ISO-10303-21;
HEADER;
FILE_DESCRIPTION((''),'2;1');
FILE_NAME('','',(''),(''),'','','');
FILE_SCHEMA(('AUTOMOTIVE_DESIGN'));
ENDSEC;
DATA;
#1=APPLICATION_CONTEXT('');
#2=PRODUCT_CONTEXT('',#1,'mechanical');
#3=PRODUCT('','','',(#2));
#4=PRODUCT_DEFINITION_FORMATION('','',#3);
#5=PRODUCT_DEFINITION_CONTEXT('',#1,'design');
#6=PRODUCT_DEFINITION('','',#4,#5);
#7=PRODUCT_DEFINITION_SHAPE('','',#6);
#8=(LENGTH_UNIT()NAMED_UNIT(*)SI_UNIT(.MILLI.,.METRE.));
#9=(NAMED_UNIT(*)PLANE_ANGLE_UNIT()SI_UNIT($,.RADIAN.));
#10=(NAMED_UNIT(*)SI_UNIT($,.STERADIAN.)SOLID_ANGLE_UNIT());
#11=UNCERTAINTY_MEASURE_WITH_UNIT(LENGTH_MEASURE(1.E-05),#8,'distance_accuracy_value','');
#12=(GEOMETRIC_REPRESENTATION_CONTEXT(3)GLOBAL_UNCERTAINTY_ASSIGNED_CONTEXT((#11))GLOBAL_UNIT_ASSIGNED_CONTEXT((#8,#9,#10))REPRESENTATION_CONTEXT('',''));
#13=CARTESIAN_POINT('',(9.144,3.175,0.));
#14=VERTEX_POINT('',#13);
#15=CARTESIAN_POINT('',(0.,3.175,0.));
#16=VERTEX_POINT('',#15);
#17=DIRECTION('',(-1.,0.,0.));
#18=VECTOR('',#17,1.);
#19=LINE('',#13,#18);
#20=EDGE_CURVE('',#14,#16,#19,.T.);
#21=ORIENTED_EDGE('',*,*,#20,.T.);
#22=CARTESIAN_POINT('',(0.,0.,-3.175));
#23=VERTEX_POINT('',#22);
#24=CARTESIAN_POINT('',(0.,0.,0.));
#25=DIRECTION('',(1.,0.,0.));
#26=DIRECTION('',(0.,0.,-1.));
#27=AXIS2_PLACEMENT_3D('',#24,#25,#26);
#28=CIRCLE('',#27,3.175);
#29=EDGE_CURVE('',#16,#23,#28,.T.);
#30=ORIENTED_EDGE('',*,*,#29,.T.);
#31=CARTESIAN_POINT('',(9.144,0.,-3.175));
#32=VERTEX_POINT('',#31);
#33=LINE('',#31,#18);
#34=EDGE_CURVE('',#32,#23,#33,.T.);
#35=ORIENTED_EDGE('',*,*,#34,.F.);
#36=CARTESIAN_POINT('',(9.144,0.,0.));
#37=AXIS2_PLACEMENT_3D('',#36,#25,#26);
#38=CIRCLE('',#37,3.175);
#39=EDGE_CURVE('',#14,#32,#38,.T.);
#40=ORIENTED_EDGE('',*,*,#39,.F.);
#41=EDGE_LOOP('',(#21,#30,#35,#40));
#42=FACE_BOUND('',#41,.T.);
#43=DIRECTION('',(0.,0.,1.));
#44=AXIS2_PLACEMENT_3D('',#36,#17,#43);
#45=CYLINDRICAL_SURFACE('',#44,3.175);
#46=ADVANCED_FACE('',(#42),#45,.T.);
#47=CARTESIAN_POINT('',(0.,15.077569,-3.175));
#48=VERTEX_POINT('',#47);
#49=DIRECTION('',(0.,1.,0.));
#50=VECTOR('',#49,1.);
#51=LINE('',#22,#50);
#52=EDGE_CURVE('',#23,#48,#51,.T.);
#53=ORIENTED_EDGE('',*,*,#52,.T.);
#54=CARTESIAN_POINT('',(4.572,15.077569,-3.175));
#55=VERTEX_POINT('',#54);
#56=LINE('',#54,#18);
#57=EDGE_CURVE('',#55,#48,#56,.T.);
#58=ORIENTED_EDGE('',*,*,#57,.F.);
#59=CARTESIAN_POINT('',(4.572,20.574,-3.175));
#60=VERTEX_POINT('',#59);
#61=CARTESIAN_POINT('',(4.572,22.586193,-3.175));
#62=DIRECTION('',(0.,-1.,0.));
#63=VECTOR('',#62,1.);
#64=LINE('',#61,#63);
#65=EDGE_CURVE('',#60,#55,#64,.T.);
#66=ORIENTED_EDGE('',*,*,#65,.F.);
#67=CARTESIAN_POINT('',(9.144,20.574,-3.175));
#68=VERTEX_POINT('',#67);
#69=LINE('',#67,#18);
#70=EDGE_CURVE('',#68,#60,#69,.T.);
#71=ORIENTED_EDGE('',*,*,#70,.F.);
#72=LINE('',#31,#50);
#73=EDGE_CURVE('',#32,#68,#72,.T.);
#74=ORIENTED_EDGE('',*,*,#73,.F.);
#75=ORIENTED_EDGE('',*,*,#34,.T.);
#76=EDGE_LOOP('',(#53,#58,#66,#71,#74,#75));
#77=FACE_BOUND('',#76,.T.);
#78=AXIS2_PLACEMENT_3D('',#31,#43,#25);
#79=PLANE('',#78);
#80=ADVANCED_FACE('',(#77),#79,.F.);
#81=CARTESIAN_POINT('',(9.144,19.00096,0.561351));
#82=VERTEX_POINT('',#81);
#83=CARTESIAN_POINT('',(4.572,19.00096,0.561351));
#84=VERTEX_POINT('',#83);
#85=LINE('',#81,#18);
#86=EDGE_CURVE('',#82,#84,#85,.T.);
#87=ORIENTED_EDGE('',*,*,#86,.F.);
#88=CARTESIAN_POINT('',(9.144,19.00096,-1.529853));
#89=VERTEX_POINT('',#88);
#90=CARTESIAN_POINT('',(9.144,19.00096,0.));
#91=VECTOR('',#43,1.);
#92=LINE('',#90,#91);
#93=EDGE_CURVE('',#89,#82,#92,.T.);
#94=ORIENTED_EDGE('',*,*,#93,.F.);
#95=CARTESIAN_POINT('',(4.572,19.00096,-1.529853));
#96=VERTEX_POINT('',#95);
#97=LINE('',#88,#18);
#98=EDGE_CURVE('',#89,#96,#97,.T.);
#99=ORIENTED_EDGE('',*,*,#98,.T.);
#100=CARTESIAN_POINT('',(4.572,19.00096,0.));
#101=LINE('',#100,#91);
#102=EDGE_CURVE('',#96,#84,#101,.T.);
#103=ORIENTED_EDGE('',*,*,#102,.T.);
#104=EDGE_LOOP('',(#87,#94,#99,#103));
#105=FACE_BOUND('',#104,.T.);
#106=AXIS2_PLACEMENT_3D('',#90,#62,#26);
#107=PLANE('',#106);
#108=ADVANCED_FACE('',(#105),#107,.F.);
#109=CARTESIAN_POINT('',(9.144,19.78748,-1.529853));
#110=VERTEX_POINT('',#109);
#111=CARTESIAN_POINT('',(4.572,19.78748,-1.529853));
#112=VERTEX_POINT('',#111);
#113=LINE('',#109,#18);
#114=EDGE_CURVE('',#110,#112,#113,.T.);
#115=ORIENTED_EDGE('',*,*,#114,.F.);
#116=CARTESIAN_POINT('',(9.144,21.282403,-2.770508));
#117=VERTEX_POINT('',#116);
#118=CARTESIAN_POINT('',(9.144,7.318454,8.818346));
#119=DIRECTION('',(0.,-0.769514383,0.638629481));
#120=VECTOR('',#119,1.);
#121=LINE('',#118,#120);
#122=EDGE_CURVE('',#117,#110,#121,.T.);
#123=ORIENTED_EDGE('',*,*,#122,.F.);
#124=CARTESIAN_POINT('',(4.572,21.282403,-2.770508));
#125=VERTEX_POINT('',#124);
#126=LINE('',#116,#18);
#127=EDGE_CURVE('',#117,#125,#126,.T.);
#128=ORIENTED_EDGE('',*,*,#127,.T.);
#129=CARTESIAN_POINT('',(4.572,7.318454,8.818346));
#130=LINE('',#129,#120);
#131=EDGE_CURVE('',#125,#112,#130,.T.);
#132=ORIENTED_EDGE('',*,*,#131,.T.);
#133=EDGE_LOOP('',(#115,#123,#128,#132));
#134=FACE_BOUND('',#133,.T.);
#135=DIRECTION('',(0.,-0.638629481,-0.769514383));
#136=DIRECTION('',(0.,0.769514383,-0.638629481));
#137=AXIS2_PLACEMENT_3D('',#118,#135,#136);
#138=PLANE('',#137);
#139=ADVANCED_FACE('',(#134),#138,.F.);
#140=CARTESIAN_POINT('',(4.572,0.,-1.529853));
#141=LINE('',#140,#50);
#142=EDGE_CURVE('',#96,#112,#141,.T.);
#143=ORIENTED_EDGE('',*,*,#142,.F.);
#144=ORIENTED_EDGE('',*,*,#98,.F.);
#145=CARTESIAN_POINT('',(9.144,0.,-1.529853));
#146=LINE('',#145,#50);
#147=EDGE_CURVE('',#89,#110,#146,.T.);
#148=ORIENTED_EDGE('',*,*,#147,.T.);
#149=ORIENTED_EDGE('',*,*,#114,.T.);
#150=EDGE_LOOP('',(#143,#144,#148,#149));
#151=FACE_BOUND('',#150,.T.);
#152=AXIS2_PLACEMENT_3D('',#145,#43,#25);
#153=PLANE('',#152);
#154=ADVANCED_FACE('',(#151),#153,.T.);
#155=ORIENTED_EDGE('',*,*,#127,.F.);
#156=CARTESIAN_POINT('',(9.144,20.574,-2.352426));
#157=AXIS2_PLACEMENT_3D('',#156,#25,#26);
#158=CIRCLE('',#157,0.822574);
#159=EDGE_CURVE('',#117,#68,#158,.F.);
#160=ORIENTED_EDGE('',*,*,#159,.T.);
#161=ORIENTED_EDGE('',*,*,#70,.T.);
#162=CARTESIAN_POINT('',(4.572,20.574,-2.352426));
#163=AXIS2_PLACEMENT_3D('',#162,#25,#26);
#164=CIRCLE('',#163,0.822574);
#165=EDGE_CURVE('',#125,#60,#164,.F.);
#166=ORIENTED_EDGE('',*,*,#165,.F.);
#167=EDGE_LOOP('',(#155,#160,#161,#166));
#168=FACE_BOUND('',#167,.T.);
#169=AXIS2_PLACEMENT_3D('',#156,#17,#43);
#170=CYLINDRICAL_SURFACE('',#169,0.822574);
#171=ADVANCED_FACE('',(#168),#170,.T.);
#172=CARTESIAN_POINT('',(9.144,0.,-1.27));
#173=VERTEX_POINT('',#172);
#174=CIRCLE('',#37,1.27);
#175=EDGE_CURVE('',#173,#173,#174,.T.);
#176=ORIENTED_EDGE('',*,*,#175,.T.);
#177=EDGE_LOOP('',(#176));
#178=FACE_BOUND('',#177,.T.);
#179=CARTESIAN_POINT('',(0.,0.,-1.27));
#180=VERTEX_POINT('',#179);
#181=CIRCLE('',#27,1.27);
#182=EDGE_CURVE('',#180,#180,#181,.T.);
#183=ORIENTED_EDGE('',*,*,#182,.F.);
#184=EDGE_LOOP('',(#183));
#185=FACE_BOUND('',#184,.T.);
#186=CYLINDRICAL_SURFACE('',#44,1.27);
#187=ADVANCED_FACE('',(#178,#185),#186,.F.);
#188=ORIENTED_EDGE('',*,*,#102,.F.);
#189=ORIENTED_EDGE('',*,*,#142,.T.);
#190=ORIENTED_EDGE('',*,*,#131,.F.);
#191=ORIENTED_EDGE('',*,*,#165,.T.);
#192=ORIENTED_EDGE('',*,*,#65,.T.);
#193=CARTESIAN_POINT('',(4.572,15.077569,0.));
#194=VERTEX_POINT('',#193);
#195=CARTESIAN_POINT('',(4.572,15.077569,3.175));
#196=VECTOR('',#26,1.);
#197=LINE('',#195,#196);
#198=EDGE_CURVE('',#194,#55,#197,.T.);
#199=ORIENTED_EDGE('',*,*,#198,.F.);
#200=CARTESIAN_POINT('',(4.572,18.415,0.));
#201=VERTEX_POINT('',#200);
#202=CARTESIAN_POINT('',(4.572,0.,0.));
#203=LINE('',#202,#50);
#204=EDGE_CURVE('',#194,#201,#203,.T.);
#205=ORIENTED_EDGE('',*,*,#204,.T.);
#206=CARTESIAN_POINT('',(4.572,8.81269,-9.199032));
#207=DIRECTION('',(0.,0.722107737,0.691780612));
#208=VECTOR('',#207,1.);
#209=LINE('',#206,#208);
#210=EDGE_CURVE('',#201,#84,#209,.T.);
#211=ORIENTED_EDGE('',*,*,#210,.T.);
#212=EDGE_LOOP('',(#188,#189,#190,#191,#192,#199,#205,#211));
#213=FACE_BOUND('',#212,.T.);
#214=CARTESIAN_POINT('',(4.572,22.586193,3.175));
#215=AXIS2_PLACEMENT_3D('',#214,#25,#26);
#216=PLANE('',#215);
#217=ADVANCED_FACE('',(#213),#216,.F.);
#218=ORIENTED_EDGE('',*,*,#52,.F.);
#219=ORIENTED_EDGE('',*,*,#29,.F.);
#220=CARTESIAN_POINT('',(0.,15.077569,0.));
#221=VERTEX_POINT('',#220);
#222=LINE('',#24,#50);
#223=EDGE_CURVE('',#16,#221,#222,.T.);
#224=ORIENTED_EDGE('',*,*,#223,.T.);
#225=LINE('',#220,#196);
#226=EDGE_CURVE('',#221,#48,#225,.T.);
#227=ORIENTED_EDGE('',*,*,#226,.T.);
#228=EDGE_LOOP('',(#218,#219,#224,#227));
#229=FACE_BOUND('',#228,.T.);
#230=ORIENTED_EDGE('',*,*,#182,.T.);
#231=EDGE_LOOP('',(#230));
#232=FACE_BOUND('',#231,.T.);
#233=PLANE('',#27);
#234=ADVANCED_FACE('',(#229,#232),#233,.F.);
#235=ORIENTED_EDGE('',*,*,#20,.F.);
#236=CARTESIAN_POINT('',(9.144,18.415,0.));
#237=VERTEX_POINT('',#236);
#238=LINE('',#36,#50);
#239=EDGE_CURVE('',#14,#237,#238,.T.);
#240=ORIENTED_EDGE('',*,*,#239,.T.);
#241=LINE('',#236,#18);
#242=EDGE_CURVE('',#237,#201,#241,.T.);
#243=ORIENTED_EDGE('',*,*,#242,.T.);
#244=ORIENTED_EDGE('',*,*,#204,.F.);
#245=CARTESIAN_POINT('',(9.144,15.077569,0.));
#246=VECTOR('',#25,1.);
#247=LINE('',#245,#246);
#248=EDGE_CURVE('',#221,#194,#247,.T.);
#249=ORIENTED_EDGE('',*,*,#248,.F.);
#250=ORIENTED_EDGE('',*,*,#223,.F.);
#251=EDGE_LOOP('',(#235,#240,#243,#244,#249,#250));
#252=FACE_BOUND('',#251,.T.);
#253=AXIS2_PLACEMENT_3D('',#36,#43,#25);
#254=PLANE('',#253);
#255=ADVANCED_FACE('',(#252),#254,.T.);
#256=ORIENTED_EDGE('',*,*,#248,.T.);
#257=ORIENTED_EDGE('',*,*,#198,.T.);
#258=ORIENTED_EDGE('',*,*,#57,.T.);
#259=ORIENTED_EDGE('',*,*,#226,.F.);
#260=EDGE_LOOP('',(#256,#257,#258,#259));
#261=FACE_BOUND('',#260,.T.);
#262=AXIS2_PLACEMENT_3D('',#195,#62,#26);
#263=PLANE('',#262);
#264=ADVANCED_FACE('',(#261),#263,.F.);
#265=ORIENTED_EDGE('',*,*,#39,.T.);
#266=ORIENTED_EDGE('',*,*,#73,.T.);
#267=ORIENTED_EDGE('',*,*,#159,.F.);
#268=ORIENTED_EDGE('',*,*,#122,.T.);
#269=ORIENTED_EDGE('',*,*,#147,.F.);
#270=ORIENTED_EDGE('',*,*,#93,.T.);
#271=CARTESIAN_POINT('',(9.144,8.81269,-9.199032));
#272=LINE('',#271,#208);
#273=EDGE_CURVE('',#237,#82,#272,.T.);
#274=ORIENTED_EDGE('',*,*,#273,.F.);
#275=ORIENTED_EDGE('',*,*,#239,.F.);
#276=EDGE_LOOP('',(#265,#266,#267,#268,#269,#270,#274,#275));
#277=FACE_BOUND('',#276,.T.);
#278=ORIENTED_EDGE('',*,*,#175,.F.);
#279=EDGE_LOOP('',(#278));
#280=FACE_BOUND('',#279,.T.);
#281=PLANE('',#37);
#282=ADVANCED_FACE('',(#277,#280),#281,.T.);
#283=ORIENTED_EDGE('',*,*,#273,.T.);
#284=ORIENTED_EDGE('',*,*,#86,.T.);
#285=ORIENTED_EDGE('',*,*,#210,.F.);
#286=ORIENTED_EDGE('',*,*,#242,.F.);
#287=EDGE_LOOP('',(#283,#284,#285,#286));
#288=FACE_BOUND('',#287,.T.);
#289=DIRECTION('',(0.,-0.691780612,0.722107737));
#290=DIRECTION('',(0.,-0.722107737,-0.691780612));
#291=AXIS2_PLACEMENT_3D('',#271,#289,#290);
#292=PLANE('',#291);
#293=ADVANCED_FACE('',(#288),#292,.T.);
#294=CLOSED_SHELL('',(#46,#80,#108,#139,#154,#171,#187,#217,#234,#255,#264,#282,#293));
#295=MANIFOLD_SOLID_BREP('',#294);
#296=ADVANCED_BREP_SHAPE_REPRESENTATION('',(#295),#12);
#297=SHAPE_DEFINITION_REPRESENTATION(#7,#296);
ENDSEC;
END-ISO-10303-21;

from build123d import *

# Parameters (mm, degrees)
SKETCH2_R           = 1.27
BOSS_EXTRUDE1_DEPTH = 9.144
SKETCH3_W           = 4.572
SKETCH3_H           = 7.508623498
CUT_EXTRUDE2_DEPTH  = 25.018241396


with BuildPart() as part:
    # Sketch2 → Boss-Extrude1 (new body)
    with BuildSketch(Plane(origin=(0, 0, 0), x_dir=(0, 0, -1), z_dir=(1, 0, 0))):
        with BuildLine():
            Line((0, 18.415), (0, 3.175))
            ThreePointArc((0, 3.175), (-2.24506403, -2.24506403), (3.175, 0))
            Line((3.175, 0), (3.175, 20.574))
            ThreePointArc((3.175, 20.574), (3.066754835, 20.981875221), (2.770508017, 21.282403148))
            Line((2.770508017, 21.282403148), (1.52985297, 19.787480142))
            Line((1.52985297, 19.787480142), (1.52985297, 19.000960284))
            Line((1.52985297, 19.000960284), (-0.561351088, 19.000960284))
            Line((-0.561351088, 19.000960284), (0, 18.415))
        make_face()
        Circle(SKETCH2_R, mode=Mode.SUBTRACT)
    extrude(amount=BOSS_EXTRUDE1_DEPTH)

    # Sketch3 → Cut-Extrude2 (cut, through all)
    with BuildSketch(Plane(origin=(0, 0, -3.175), x_dir=(-1, 0, 0), z_dir=(0, 0, -1))):
        with Locations((-2.286, 18.831880762)):
            Rectangle(SKETCH3_W, SKETCH3_H)
    extrude(amount=-CUT_EXTRUDE2_DEPTH, mode=Mode.SUBTRACT)


solid = part.part
